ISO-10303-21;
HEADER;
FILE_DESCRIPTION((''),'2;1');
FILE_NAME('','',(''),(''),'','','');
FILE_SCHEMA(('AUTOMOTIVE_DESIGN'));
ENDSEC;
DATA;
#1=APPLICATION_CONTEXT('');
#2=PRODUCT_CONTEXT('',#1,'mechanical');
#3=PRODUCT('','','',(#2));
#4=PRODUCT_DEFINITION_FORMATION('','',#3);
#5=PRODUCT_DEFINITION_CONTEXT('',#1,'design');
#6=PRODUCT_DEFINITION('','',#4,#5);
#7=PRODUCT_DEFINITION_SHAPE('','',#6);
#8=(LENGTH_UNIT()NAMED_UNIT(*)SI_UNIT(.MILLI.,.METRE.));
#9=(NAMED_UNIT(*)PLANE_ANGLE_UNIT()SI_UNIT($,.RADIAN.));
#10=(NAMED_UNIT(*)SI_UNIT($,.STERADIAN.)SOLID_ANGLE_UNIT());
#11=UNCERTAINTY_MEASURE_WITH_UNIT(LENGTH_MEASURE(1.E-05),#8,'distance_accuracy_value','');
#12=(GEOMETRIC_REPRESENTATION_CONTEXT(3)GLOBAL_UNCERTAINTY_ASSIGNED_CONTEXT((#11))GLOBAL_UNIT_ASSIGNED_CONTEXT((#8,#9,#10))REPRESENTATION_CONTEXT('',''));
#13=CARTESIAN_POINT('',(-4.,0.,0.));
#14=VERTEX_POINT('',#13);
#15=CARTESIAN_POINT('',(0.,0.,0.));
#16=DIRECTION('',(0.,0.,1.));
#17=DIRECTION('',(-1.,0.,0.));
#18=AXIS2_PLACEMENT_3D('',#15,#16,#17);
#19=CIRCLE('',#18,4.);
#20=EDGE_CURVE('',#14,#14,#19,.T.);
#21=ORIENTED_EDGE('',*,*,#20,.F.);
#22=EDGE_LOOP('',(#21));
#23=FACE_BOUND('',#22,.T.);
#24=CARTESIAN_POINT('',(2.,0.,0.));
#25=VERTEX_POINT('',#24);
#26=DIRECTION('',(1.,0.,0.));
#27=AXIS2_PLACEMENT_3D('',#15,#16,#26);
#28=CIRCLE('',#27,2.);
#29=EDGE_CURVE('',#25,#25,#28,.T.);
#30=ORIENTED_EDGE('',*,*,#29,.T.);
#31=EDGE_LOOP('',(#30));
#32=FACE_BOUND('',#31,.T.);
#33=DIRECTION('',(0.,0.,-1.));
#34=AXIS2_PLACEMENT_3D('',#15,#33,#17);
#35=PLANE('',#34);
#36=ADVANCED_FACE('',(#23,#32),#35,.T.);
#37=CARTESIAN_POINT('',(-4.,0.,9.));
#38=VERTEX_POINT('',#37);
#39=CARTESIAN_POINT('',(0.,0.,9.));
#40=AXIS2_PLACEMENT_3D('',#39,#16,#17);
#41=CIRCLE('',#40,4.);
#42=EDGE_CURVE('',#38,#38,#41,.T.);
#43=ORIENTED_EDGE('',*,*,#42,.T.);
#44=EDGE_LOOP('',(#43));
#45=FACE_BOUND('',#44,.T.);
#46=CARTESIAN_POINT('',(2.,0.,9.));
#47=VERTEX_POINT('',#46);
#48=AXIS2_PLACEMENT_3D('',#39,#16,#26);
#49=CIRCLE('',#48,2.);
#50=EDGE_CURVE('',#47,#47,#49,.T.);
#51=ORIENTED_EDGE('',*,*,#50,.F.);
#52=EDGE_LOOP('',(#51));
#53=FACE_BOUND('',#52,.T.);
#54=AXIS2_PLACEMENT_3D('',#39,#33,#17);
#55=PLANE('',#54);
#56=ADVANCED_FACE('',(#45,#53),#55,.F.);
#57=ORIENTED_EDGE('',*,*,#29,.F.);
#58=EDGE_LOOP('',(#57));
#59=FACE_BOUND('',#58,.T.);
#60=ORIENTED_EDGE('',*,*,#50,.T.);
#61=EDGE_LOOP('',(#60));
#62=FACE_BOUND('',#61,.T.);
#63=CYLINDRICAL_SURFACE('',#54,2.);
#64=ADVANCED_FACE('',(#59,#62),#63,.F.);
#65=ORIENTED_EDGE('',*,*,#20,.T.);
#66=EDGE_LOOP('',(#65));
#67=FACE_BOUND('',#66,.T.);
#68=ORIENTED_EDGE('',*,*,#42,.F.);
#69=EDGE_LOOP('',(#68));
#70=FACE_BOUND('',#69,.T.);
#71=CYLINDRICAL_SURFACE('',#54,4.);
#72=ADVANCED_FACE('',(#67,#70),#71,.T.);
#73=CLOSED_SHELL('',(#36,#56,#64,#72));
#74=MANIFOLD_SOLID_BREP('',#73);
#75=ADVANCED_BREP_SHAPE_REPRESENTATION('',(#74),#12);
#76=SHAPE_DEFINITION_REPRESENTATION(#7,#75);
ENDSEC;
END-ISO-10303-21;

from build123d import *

# Parameters (mm, degrees)
SKETCH_1_R      = 4
SKETCH_1_R_2    = 2
EXTRUDE_1_DEPTH = 9


with BuildPart() as part:
    # ｽｹｯﾁ1 → ﾎﾞｽ - 押し出し1 (new body)
    with BuildSketch(Plane.XY):
        Circle(SKETCH_1_R)
        Circle(SKETCH_1_R_2, mode=Mode.SUBTRACT)
    extrude(amount=EXTRUDE_1_DEPTH)


solid = part.part
